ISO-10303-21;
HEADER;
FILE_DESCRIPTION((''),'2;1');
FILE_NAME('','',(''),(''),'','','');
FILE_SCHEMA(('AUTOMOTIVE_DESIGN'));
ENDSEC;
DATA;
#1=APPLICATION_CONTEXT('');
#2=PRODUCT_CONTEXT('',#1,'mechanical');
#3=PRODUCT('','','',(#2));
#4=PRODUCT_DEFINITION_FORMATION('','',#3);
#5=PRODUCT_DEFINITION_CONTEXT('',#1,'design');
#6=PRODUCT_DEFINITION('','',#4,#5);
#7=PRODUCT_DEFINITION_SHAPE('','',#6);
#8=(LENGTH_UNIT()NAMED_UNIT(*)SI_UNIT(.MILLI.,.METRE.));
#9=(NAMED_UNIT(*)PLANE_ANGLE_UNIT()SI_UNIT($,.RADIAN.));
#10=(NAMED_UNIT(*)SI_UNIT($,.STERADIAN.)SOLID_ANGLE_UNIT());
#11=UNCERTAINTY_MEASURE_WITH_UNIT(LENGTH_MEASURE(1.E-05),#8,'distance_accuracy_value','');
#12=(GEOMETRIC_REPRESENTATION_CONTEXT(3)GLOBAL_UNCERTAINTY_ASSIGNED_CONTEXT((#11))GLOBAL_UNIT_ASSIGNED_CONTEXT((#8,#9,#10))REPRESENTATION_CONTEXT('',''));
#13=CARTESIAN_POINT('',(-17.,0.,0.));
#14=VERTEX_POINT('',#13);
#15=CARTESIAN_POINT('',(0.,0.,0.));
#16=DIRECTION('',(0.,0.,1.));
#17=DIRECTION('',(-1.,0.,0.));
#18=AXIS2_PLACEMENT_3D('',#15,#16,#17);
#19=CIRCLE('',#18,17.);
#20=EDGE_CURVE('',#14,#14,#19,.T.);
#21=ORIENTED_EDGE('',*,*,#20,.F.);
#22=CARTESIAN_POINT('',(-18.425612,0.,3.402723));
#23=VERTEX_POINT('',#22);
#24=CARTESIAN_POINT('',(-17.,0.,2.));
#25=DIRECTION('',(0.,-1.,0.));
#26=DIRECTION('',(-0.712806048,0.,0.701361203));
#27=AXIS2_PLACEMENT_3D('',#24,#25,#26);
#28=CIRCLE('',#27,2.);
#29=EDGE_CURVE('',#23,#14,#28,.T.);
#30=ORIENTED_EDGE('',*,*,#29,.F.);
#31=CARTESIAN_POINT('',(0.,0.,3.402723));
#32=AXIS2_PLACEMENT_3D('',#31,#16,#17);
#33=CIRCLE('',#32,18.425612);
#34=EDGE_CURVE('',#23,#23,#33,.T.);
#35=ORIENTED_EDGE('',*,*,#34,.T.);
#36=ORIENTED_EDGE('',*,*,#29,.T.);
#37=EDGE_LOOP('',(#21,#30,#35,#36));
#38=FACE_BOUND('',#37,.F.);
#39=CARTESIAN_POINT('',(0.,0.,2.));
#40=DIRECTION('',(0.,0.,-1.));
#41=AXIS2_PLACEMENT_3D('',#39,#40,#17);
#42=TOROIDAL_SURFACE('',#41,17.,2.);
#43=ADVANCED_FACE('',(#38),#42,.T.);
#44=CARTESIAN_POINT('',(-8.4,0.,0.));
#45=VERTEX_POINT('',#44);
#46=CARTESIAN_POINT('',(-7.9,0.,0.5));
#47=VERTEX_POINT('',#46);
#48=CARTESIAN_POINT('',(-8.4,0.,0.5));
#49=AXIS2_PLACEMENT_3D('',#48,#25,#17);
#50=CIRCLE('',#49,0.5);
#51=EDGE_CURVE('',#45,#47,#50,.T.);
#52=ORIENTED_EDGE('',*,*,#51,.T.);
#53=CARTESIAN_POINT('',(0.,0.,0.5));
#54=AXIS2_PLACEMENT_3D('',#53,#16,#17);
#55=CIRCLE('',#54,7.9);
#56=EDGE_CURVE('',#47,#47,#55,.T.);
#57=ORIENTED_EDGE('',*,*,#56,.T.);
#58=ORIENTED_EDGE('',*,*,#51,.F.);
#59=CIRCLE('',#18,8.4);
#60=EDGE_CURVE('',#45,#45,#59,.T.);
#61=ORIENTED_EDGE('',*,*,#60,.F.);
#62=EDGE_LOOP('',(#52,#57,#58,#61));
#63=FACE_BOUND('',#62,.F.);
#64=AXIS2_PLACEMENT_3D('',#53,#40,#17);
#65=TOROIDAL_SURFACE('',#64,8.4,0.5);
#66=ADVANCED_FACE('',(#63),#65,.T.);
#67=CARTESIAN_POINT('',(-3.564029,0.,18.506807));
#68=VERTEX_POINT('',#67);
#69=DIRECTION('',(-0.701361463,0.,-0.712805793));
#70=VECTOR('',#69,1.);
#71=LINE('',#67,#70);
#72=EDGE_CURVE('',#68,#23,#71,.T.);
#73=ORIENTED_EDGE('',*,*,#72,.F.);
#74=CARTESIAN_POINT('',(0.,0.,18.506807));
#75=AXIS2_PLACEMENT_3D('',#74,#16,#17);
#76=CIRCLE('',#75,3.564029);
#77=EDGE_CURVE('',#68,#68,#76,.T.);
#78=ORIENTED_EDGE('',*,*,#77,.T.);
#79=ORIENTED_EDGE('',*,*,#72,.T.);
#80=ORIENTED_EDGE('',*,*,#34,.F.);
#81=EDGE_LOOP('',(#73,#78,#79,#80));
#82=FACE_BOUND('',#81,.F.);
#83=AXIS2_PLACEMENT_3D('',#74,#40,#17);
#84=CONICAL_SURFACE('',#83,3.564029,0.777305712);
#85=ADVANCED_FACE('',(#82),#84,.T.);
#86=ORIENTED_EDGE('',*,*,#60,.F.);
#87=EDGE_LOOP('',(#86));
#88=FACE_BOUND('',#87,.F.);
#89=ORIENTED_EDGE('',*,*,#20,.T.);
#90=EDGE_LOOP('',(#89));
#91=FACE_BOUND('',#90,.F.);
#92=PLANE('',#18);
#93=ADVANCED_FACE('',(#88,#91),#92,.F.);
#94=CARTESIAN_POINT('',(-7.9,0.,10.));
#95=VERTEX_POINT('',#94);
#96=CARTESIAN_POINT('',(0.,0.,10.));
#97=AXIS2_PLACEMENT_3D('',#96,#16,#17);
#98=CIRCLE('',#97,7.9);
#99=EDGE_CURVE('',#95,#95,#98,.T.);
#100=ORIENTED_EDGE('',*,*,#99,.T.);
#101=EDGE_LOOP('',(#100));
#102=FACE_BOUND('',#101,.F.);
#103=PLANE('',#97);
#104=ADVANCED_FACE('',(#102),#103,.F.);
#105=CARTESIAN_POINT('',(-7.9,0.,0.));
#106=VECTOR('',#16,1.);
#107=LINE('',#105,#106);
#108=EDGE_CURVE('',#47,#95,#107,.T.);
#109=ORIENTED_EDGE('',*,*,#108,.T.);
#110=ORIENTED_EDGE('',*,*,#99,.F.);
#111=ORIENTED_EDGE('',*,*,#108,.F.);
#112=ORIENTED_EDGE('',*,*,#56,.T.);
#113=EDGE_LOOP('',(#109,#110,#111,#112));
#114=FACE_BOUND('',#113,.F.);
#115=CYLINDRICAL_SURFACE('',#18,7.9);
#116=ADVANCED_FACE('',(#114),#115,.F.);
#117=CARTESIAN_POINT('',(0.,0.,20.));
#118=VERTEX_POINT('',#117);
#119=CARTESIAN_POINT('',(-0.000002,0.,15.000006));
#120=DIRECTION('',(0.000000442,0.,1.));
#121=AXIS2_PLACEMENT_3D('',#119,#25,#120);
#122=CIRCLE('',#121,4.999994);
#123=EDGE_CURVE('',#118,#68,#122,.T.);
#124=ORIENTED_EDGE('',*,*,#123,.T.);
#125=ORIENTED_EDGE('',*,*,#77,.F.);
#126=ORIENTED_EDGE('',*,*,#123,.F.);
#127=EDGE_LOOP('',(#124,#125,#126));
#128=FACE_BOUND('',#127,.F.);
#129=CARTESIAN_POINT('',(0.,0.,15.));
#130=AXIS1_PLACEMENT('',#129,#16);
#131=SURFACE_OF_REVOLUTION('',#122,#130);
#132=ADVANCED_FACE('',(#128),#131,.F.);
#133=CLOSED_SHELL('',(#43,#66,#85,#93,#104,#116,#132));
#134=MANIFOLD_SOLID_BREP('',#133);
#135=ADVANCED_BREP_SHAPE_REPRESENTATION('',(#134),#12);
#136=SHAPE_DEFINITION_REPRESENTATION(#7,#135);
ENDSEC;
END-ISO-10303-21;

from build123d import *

# Parameters (mm, degrees)
F2_R = 0.5


with BuildPart() as f1:
    # F0 (on Front) → F1 (revolve)
    with BuildSketch(Plane.XZ):
        with BuildLine():
            Line((-7.9, 10), (0, 10))
            Line((0, 10), (0, 20))
            ThreePointArc((0, 20), (-1.932093, 19.611618), (-3.564029, 18.506807))
            Line((-3.564029, 18.506807), (-18.425612, 3.402723))
            ThreePointArc((-18.425612, 3.402723), (-18.844647, 1.227163), (-17, 0))
            Line((-17, 0), (-7.9, 0))
            Line((-7.9, 0), (-7.9, 10))
        make_face()
    revolve(axis=Axis((0, 0, 15), (0, 0, 1)))

    # F2
    f2_edges = [f1.edges().sort_by_distance(p)[0] for p in [
        (7.9, 0, 0),
    ]]
    fillet(f2_edges, radius=F2_R)


solid = f1.part
